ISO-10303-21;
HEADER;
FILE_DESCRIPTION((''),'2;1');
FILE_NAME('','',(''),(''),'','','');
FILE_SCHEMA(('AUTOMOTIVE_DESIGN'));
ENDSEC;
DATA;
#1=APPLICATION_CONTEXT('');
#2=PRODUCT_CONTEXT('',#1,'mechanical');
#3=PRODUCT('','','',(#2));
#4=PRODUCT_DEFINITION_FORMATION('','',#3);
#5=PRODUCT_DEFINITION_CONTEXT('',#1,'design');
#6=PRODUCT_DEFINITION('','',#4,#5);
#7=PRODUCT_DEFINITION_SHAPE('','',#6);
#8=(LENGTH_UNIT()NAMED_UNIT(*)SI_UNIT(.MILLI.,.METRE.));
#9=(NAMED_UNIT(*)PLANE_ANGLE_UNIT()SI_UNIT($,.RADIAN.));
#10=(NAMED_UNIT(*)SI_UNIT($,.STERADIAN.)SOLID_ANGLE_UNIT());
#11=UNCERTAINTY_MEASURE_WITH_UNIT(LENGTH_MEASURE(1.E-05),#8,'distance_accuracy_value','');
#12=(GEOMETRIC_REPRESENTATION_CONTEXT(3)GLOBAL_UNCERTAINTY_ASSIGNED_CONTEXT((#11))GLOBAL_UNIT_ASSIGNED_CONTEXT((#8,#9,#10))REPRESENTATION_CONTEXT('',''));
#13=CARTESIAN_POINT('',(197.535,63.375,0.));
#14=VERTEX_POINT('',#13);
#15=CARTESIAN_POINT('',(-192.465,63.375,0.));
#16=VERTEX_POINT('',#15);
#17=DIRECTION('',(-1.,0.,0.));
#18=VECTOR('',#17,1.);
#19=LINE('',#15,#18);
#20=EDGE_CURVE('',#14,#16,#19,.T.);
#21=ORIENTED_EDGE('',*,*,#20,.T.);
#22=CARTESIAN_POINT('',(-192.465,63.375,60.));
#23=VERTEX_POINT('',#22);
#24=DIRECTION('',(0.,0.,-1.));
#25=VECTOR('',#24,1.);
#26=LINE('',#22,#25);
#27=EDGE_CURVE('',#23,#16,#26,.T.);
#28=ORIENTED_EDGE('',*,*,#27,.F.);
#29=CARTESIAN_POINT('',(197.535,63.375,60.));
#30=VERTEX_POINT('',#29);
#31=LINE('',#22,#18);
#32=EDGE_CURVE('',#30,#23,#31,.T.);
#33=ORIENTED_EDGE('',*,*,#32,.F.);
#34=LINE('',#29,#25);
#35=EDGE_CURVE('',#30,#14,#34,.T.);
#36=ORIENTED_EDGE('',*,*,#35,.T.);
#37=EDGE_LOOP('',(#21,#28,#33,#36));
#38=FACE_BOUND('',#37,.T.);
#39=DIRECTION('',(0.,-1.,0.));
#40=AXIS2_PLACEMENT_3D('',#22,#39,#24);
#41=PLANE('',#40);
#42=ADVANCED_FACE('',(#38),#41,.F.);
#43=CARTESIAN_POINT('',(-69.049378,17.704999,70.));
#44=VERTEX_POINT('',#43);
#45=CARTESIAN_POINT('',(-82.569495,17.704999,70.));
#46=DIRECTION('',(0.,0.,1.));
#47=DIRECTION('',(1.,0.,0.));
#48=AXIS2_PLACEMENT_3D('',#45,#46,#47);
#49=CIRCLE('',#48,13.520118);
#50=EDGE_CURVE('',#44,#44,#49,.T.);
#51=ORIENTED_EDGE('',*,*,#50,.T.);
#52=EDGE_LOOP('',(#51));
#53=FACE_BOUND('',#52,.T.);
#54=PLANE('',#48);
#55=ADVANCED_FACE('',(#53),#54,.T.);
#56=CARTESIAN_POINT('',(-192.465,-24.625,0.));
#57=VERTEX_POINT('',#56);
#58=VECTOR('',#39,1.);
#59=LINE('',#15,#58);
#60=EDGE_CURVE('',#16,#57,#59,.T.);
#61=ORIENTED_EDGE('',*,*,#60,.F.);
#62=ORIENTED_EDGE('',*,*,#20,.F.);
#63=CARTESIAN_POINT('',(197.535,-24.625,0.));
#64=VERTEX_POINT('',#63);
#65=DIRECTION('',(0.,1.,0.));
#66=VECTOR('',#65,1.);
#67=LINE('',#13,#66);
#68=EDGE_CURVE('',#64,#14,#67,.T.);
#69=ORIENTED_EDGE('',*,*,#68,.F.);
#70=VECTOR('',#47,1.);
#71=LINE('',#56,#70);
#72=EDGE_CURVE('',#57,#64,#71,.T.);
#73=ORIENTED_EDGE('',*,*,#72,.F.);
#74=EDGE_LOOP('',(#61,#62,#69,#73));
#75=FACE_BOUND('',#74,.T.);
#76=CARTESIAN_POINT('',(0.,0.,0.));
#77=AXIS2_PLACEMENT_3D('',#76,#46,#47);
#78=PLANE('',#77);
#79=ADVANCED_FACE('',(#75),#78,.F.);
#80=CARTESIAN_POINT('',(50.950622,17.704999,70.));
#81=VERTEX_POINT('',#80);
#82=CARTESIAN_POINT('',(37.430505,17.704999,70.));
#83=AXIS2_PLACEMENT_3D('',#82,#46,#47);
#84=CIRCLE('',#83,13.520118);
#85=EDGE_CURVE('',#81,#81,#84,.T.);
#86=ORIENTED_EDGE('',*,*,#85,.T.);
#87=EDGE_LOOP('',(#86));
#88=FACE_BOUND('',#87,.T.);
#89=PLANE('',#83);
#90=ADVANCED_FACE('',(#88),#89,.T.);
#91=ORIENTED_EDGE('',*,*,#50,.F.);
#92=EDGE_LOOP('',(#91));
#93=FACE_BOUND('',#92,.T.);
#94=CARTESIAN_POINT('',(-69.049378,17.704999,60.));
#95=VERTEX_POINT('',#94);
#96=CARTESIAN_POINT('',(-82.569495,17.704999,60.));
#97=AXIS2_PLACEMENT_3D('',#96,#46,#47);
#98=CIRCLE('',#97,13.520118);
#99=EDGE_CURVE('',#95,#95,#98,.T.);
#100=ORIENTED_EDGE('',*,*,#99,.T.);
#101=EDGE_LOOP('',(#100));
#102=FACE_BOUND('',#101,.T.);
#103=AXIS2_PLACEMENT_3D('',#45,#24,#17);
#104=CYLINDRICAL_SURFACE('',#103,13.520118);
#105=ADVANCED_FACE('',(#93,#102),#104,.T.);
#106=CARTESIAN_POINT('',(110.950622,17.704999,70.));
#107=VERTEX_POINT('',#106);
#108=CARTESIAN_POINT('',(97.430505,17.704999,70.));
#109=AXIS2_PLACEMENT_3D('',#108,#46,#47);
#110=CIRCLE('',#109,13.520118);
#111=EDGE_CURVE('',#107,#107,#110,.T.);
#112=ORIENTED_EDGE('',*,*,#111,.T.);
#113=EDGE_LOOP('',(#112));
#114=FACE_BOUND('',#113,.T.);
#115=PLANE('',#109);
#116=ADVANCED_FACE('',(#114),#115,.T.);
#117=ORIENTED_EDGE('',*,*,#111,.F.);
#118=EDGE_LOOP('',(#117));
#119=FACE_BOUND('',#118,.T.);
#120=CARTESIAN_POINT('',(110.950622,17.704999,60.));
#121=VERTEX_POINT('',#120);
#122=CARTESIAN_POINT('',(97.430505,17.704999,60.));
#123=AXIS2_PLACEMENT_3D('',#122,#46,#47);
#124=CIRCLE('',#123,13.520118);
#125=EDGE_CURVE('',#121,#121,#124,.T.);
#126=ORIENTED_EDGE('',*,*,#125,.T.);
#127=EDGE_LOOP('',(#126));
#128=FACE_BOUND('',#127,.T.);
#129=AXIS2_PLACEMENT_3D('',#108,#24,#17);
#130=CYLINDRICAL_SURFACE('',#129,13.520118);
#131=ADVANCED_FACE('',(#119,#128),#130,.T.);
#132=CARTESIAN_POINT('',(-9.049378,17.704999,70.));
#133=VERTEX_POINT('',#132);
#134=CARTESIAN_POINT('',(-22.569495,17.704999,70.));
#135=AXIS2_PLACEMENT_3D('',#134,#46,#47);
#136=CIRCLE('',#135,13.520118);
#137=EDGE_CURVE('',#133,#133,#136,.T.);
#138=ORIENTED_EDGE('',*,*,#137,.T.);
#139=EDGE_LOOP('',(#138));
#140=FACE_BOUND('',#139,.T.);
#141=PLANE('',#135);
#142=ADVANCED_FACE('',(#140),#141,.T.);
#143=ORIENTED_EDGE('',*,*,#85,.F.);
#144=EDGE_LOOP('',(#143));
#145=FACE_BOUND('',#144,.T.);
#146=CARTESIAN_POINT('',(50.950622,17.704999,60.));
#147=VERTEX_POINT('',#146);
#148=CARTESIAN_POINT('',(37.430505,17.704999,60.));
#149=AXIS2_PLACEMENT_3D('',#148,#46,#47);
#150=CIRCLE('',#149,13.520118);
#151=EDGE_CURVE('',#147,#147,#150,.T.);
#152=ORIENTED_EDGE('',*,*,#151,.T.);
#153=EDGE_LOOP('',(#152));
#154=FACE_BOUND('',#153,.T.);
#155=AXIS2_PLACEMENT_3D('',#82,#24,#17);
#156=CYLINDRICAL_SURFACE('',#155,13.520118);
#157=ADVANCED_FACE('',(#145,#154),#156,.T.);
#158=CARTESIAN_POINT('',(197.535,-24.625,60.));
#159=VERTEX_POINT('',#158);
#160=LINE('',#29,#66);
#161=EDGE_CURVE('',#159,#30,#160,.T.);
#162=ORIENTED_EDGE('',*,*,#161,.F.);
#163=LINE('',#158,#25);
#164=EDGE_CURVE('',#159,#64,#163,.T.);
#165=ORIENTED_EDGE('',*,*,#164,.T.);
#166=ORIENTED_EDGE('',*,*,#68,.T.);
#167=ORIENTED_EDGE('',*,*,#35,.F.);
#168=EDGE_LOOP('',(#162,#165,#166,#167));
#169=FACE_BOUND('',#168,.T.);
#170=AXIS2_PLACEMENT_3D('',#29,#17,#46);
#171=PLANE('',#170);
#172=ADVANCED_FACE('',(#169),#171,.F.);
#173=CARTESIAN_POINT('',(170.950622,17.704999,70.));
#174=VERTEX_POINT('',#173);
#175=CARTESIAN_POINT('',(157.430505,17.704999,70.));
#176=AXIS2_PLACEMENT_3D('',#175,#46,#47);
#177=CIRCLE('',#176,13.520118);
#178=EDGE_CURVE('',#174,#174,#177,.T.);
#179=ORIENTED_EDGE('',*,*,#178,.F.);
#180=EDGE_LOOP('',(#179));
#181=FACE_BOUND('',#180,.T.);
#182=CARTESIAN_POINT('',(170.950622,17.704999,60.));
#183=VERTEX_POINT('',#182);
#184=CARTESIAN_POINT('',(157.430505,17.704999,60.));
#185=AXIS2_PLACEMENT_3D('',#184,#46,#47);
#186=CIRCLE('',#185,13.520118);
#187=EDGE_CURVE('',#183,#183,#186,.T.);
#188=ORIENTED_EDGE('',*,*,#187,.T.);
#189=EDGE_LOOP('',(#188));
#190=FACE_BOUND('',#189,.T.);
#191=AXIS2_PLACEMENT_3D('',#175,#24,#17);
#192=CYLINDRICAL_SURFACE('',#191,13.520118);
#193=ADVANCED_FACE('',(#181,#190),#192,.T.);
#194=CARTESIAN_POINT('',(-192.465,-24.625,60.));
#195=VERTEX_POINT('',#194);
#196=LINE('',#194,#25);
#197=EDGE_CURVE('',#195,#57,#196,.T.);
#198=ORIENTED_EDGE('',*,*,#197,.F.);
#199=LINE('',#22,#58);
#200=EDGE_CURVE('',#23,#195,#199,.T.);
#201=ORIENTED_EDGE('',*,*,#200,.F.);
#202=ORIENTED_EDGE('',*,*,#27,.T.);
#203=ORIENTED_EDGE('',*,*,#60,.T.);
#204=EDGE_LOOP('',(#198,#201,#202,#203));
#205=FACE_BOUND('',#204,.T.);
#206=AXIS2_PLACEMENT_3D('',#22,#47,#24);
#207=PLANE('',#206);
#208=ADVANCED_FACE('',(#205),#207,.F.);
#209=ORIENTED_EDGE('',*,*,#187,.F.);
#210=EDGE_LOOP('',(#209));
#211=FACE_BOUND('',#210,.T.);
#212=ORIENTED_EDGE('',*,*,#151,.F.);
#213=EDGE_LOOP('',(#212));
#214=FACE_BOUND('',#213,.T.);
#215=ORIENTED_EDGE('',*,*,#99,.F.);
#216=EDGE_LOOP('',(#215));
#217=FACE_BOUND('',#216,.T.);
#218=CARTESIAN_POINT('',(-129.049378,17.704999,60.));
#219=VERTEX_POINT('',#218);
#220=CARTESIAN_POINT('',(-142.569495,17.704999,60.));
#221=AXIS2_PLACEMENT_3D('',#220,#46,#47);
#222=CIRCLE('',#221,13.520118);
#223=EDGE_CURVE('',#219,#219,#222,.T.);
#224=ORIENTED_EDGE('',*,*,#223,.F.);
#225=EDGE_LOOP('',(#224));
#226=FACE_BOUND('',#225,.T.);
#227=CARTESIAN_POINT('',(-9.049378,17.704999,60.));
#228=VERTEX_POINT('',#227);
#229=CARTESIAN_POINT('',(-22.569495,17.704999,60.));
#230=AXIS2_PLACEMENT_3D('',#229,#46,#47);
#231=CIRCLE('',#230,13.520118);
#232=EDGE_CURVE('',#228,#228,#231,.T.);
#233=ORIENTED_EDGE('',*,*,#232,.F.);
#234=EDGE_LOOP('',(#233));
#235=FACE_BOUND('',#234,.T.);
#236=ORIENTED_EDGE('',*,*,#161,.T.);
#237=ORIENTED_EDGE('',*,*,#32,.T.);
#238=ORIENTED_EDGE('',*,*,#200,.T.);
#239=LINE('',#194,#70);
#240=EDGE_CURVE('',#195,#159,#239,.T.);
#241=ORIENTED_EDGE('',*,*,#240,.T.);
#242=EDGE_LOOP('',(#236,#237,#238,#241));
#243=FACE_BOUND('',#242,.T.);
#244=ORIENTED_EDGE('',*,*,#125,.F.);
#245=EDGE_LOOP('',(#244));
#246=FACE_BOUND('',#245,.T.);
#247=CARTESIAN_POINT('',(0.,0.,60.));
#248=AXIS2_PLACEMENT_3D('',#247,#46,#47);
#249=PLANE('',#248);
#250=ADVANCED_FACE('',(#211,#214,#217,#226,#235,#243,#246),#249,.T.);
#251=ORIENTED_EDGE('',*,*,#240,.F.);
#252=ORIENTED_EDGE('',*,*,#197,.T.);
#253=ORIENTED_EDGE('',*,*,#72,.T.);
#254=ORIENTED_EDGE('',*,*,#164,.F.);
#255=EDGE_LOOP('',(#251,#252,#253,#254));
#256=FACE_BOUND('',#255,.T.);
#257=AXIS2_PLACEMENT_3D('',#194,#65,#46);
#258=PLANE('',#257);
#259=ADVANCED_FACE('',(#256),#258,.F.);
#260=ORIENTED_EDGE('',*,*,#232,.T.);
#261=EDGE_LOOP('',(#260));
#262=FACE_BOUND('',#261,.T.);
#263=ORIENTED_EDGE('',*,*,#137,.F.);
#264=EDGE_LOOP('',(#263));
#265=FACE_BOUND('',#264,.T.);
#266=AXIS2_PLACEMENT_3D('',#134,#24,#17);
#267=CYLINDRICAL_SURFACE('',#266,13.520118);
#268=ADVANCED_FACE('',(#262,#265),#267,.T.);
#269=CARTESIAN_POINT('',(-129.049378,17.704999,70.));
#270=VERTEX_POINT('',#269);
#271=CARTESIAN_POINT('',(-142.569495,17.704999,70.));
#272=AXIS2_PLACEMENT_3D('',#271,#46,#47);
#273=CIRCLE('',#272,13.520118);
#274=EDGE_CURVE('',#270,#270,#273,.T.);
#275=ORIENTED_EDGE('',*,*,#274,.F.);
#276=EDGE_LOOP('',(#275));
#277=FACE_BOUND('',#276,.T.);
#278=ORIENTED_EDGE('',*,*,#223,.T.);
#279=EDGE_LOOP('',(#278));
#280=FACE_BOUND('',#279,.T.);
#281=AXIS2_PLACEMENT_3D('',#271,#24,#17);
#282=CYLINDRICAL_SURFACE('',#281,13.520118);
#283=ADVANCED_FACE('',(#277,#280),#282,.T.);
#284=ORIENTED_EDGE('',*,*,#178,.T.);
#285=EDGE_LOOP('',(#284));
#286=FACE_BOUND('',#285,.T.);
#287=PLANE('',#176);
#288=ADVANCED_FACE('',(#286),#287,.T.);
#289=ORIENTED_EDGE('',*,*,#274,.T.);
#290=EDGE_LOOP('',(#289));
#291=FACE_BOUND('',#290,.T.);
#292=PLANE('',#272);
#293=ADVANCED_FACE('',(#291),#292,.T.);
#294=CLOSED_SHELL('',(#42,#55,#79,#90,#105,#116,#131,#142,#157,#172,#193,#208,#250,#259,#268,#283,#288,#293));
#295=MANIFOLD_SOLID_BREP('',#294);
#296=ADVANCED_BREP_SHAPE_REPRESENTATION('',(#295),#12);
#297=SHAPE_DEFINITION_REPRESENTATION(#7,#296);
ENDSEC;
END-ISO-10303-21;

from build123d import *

# Parameters (mm, degrees)
SKETCH1_W           = 390
SKETCH1_H           = 88
BOSS_EXTRUDE1_DEPTH = 60
SKETCH2_R           = 13.520117845
BOSS_EXTRUDE2_DEPTH = 10
LPATTERN1_COUNT     = 6
LPATTERN1_PITCH     = 60


with BuildPart() as part:
    # Sketch1 → Boss-Extrude1 (new body)
    with BuildSketch(Plane.XY):
        with Locations((2.535, 19.375)):
            Rectangle(SKETCH1_W, SKETCH1_H)
    extrude(amount=BOSS_EXTRUDE1_DEPTH)

    # Sketch2 → Boss-Extrude2 (add)
    with BuildSketch(Plane.XY.offset(60)):
        with Locations((-142.569495457, 17.704999413)):
            Circle(SKETCH2_R)
    boss_extrude2 = extrude(amount=BOSS_EXTRUDE2_DEPTH)

    # LPattern1: Boss-Extrude2 ×6
    with Locations(*[(i * LPATTERN1_PITCH, 0, 0) for i in range(1, LPATTERN1_COUNT)]):
        add(boss_extrude2)


solid = part.part
